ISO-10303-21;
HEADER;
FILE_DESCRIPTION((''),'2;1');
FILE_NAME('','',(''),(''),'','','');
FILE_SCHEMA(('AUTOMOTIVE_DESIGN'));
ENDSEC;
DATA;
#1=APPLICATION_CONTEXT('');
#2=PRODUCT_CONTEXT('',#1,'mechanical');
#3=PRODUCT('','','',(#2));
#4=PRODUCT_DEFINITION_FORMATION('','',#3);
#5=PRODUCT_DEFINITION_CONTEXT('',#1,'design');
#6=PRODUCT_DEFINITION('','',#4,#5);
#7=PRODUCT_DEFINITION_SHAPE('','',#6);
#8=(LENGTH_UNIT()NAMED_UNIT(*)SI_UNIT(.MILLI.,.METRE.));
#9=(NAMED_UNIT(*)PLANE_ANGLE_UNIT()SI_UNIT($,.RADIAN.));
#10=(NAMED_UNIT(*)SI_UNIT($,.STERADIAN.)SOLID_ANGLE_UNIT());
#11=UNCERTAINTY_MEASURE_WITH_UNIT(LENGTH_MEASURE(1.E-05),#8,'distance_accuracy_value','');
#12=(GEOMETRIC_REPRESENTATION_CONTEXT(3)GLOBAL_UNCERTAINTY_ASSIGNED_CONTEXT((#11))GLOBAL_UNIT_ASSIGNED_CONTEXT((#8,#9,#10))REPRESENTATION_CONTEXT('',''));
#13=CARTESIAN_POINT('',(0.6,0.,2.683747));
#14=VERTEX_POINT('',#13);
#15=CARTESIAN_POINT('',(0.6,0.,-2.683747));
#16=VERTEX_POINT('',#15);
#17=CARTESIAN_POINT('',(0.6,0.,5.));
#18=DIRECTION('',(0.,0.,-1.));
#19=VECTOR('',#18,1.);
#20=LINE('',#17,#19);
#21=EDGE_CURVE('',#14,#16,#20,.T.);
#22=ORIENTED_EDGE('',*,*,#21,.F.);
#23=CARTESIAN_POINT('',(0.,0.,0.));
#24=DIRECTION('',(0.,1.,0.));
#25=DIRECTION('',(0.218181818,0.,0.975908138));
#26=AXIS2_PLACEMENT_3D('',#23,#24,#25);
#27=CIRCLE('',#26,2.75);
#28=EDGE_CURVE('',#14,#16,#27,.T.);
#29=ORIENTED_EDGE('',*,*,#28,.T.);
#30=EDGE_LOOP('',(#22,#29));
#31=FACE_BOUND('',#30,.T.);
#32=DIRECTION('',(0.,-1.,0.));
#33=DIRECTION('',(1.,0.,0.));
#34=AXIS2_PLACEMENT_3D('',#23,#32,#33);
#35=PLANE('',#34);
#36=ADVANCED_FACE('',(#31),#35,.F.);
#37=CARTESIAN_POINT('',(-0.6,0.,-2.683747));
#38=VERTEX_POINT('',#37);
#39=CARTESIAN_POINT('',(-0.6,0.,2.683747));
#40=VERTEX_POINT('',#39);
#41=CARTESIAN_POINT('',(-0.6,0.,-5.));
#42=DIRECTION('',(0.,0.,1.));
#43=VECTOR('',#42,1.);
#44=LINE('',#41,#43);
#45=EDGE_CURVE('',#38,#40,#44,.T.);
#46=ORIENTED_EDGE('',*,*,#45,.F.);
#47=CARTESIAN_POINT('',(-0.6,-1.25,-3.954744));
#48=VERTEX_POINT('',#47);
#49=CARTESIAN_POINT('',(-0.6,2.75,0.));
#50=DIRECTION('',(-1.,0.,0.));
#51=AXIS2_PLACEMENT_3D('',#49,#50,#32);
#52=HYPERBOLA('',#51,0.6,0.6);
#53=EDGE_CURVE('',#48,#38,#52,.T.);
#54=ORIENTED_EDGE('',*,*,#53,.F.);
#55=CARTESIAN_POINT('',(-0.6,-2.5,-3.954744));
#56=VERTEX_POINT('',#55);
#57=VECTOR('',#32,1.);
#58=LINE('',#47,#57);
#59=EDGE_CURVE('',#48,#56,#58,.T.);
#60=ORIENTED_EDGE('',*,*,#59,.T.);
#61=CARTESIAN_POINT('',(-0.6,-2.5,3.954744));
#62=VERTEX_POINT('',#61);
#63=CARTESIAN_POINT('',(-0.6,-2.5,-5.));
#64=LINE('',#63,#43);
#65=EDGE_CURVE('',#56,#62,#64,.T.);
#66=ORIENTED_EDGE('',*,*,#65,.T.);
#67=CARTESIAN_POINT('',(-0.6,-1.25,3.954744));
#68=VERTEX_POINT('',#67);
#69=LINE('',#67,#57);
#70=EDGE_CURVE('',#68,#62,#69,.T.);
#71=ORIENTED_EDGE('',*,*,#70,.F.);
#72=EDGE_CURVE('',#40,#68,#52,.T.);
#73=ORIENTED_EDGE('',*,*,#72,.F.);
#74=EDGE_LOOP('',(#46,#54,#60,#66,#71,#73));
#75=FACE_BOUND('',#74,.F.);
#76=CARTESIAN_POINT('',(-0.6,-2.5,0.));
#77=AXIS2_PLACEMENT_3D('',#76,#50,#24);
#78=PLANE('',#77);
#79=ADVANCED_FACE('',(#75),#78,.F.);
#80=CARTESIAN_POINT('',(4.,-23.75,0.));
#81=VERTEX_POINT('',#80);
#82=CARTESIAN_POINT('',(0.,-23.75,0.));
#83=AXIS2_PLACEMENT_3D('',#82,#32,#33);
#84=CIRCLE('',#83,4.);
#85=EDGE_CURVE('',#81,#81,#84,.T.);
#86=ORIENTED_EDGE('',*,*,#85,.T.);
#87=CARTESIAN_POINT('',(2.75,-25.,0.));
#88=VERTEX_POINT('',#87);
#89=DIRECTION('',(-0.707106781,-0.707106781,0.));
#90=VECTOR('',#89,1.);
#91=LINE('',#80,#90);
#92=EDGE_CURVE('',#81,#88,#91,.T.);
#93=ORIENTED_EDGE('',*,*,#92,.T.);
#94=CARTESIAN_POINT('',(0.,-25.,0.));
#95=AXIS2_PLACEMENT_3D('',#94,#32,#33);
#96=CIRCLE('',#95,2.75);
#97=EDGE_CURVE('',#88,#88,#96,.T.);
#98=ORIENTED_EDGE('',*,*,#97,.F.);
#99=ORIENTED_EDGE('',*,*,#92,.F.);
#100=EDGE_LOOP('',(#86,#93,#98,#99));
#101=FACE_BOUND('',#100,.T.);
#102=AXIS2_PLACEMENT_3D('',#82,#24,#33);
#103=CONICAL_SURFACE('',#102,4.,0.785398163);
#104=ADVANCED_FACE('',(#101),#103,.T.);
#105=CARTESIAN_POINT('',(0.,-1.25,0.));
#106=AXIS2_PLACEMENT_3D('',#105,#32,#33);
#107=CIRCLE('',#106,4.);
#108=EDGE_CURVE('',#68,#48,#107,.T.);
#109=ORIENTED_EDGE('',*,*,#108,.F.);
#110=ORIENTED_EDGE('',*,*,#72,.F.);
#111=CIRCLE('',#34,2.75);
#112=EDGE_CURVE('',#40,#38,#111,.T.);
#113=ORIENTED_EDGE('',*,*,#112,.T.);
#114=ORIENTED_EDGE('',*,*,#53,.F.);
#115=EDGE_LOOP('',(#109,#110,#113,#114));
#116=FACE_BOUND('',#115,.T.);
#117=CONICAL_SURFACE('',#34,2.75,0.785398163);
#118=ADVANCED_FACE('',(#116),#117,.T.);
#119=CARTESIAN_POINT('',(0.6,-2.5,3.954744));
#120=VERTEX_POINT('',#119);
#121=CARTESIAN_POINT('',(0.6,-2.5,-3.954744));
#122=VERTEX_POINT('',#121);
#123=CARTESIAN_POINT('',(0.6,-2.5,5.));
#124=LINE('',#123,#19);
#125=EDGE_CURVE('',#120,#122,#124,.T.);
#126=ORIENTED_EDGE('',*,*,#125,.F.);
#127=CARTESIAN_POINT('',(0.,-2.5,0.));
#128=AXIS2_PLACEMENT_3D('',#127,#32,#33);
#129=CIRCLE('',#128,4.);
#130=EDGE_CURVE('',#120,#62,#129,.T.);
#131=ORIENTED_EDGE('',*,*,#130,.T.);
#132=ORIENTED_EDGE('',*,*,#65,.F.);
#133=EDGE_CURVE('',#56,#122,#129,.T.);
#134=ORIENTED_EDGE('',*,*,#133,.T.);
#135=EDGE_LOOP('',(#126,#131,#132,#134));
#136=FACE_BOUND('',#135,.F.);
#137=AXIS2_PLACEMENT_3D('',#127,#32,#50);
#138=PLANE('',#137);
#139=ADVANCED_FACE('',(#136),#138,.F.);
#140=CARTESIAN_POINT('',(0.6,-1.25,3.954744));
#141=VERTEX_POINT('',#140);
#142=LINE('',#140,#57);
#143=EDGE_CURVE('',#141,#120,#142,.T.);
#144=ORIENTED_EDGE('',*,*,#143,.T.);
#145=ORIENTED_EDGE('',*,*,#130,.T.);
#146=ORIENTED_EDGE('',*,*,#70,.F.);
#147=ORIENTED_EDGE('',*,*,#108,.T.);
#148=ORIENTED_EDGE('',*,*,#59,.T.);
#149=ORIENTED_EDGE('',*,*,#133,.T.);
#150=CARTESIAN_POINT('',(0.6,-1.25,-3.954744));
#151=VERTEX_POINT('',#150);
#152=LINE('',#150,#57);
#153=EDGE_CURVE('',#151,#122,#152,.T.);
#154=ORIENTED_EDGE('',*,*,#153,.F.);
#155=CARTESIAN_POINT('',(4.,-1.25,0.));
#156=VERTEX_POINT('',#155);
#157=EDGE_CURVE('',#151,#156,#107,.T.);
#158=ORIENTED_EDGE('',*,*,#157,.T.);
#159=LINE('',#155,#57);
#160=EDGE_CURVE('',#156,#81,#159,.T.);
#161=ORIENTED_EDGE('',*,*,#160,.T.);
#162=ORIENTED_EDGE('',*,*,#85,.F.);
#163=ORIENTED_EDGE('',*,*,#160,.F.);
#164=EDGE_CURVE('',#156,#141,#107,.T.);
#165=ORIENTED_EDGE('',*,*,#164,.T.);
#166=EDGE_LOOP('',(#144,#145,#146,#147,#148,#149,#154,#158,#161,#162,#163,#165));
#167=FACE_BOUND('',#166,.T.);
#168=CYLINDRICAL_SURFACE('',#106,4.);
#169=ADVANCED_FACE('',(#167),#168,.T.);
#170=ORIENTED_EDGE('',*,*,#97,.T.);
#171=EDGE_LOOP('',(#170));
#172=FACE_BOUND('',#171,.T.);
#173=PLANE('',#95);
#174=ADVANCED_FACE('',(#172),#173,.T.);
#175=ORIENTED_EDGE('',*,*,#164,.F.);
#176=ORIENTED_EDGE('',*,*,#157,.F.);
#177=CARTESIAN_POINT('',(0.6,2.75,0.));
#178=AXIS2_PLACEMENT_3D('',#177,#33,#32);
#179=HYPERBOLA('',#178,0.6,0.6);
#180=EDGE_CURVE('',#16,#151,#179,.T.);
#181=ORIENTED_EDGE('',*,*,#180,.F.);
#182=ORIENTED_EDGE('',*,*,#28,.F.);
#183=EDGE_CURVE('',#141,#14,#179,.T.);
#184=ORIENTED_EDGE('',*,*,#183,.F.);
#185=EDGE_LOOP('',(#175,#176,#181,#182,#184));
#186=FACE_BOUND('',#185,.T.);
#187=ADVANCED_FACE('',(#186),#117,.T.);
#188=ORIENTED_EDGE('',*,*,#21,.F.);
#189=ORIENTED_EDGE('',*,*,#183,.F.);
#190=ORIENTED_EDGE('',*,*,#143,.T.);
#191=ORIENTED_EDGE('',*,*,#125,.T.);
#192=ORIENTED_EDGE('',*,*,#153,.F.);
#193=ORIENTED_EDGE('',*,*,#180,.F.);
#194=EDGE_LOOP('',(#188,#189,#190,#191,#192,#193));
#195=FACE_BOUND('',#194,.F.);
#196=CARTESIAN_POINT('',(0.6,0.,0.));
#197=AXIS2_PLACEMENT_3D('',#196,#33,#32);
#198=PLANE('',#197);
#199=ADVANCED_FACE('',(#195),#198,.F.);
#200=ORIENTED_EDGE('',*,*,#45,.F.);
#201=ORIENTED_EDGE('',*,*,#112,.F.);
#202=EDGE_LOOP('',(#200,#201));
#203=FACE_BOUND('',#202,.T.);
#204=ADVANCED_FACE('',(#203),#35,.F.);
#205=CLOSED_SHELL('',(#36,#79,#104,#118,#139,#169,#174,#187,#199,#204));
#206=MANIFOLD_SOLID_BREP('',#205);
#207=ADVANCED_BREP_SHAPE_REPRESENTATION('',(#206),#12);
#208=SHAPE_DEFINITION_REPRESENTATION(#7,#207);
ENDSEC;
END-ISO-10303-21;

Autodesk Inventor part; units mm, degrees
ref_plane "YZ Plane" through (0, 0, 0) normal (1, 0, 0) x (0, 1, 0)
ref_plane "XZ Plane" through (0, 0, 0) normal (0, 1, 0) x (-1, 0, 0)
ref_plane "XY Plane" through (0, 0, 0) normal (0, 0, 1) x (1, 0, 0)
sketch "Sketch1" plane through (0, 0, 0) normal (0, 0, 1) x (1, 0, 0)
  line L0 (0, 0) -> (0, -25)
  line L1 (0, 0) -> (2.75, 0)
  line L2 (2.75, 0) -> (4, -1.25)
  line L3 (4, -1.25) -> (4, -25)
  line L4 (4, -25) -> (0, -25)
  dimension "d0" = 8
  dimension "d1" = 5.5
  dimension "d2" = 45
  dimension "d14" = 25
revolve "Вращение1" add sketch "Sketch1" angle 360 about axis through (0, 0, 0) along (0, -1, 0)
thread "Резьба1" size "M8x1.25" class "6g" standard "ISO Metric profile" full length
sketch "Sketch2" plane through (0, 0, 0) normal (0, 0, 1) x (1, 0, 0)
  line L0 (-0.6, 0) -> (0.6, 0)
  line L1 (0.6, 0) -> (0.6, -2.5)
  line L2 (0.6, -2.5) -> (-0.6, -2.5)
  line L3 (-0.6, -2.5) -> (-0.6, 0)
  line L4 (0, 0) -> (0, -2.5)
  dimension "d9" = 1.2
  dimension "d10" = 2.5
extrude "Выдавливание1" cut sketch "Sketch2" along normal through all both and the other way through all
chamfer "Фаска1" distance 1.25 angle 45 1 edges at (-4, -25, 0)
equation "\"d9\" = n"
equation "\"d10\" = t"
equation "\"d19\" = -0.5 * dp + 0.5 * d_"
equation "\"d0\" = d_"
equation "\"d1\" = df_"
equation "\"d2\" = an"
equation "\"d14\" = l_"
equation "\"df_\" = 5.5"
equation "\"t\" = 2.5"
equation "\"n\" = 1.2"
equation "\"d_\" = 8"
equation "\"dp\" = 5.5"
equation "\"l_\" = 25"
equation "\"an\" = 45deg"
properties part number "Винт M8-6gx25 ГОСТ 1477-93" material "Сталь, мягкая"
